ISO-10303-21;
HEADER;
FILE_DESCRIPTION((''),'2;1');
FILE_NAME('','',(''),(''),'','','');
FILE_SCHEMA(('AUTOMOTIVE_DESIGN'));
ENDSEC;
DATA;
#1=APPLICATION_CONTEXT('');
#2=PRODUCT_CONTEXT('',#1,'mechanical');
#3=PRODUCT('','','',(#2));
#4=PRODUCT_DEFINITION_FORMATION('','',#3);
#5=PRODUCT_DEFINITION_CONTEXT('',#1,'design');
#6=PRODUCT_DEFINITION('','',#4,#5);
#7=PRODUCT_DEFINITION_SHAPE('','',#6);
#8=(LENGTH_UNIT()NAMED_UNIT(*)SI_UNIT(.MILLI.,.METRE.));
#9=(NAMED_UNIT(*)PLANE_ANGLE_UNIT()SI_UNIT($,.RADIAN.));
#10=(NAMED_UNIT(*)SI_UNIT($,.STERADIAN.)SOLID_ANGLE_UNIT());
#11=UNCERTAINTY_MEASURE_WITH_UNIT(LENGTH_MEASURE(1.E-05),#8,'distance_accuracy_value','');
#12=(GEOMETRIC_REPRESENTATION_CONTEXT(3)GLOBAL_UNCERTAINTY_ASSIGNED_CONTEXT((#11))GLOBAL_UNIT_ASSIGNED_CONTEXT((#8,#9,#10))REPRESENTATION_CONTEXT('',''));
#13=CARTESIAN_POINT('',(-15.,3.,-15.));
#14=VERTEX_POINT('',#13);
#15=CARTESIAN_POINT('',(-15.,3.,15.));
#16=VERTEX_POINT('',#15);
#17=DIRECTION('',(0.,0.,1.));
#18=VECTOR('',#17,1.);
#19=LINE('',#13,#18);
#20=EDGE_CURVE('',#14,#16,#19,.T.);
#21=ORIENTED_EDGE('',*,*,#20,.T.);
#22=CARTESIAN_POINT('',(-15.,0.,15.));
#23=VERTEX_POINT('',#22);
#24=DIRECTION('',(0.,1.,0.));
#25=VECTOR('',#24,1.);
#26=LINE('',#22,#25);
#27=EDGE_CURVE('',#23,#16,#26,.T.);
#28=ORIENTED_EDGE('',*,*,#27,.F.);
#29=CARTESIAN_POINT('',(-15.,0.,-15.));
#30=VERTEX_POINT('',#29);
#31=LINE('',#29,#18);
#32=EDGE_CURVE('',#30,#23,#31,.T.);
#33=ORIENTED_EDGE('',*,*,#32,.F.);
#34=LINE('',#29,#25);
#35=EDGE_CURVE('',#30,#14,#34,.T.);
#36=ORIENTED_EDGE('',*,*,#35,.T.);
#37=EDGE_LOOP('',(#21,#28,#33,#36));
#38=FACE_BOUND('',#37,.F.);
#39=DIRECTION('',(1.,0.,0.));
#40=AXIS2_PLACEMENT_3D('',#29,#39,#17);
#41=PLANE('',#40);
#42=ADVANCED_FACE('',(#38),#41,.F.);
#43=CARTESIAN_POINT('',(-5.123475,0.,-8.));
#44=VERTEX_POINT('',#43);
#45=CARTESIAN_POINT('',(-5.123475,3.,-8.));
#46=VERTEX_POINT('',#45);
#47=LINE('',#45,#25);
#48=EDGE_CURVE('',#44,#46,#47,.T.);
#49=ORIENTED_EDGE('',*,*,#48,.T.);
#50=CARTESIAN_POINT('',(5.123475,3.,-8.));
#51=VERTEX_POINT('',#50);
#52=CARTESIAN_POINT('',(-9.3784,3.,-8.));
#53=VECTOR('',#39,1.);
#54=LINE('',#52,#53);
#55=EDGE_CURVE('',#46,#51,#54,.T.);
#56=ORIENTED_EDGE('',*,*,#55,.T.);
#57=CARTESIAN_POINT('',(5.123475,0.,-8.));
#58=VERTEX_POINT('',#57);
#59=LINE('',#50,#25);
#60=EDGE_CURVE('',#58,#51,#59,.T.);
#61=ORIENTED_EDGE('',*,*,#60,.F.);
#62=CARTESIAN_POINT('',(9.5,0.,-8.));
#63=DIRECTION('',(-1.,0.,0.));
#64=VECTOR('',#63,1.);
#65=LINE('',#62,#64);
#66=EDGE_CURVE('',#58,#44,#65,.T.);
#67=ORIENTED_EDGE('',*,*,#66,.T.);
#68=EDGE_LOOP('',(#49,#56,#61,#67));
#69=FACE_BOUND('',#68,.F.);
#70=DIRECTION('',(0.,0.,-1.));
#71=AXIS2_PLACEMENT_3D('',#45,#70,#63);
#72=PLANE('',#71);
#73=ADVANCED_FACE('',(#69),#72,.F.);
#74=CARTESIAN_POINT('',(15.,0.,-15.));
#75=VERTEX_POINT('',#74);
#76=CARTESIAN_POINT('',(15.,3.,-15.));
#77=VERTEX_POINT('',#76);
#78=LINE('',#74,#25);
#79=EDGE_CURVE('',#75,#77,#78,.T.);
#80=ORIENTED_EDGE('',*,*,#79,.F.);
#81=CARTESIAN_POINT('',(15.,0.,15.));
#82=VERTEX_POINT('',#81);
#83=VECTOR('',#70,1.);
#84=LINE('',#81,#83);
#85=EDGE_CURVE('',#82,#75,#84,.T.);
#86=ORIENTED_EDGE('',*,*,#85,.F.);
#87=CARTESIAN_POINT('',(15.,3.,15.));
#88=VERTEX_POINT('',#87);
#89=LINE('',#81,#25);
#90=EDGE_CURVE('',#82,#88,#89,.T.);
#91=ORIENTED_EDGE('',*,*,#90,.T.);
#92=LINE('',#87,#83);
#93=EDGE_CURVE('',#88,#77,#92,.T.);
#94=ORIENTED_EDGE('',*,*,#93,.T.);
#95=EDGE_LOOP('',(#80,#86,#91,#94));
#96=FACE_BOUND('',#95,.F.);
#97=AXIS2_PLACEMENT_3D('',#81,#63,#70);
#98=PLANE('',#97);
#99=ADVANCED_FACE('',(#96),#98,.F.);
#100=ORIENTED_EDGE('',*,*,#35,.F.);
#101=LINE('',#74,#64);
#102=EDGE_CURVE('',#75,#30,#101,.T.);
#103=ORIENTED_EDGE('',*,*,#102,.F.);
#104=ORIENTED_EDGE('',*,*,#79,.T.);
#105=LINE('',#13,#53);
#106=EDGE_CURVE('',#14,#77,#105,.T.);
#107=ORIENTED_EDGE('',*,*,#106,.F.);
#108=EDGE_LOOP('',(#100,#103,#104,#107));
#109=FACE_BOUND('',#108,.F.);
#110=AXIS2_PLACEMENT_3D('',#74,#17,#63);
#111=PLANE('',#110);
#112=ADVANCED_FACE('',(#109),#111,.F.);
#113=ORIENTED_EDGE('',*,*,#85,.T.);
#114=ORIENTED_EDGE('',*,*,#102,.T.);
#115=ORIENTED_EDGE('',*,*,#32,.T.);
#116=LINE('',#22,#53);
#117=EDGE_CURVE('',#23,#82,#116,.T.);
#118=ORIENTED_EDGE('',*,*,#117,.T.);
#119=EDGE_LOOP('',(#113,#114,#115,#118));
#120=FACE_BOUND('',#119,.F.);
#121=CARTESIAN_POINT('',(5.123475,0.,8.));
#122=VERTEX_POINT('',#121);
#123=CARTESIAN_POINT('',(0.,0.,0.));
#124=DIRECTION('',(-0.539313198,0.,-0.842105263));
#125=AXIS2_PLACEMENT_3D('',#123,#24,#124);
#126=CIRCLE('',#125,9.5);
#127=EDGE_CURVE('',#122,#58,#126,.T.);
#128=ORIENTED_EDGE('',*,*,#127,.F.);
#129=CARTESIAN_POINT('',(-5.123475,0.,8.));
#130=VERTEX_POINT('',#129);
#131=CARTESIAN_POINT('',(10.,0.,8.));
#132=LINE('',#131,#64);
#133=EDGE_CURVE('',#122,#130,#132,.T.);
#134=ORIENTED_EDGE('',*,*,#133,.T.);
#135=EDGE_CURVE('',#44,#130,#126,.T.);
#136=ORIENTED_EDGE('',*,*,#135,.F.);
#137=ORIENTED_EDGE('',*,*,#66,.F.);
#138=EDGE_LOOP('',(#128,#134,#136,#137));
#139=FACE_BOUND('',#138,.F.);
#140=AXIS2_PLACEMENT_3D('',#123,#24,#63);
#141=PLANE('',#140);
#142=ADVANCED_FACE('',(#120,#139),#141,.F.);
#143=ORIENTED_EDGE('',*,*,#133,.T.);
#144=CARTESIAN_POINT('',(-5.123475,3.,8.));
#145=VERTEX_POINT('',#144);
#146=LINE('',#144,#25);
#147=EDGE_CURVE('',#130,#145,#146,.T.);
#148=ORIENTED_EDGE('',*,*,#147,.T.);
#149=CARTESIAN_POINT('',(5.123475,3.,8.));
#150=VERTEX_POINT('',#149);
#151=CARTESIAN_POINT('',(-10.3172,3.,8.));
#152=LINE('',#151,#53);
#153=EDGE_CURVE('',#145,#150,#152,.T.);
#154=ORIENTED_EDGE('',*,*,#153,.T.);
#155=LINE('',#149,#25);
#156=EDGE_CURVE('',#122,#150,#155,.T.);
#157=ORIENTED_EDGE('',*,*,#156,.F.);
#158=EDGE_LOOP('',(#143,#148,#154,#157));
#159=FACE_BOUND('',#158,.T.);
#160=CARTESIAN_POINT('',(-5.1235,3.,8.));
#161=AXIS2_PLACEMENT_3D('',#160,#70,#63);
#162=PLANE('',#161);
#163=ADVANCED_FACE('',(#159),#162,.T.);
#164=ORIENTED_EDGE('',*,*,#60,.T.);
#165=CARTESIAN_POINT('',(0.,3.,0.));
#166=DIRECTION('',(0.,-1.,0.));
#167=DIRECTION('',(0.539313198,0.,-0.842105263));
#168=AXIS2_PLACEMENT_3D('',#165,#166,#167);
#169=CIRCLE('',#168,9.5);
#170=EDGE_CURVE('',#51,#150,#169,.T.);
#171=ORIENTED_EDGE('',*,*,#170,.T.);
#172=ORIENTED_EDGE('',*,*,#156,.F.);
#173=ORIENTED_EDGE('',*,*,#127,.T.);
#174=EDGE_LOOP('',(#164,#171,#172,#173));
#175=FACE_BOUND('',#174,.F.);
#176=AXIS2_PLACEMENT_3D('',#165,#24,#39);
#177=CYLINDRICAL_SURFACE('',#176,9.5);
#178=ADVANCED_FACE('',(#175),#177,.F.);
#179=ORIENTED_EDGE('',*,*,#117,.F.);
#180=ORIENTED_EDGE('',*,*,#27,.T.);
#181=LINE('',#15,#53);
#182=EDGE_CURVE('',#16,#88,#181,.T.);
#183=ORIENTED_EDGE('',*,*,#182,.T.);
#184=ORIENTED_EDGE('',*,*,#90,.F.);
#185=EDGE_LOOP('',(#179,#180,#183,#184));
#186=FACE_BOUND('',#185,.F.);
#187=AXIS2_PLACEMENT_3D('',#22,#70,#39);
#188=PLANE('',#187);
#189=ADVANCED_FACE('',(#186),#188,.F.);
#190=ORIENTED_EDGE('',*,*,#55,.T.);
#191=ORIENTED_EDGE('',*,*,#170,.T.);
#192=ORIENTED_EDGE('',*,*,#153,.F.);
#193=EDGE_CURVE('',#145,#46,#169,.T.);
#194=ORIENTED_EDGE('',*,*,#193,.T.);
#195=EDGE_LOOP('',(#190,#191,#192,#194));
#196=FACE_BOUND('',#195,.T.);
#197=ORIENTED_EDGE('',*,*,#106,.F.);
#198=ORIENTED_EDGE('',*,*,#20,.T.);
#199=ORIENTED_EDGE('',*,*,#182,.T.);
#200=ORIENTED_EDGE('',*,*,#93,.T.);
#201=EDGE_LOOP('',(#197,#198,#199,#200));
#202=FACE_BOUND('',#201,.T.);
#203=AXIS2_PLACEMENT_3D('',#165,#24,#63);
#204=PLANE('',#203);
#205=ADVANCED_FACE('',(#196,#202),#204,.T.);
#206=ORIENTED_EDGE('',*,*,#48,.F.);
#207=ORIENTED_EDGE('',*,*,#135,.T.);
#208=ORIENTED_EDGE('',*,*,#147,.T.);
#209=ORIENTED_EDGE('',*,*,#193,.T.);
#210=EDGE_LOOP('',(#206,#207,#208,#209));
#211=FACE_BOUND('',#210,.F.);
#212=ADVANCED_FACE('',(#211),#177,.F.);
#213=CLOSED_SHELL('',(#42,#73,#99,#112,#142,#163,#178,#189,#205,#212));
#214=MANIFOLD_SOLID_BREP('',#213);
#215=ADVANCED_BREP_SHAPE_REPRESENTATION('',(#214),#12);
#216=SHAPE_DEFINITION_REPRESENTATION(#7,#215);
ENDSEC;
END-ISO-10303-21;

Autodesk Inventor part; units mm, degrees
ref_plane "YZ Plane" through (0, 0, 0) normal (1, 0, 0) x (0, 1, 0)
ref_plane "XZ Plane" through (0, 0, 0) normal (0, 1, 0) x (-1, 0, 0)
ref_plane "XY Plane" through (0, 0, 0) normal (0, 0, 1) x (1, 0, 0)
sketch "Sketch1" plane through (0, 0, 0) normal (0, 1, 0) x (-1, 0, 0)
  line L0 (-15, -15) -> (15, -15)
  line L1 (15, -15) -> (15, 15)
  line L2 (15, 15) -> (-15, 15)
  line L3 (-15, 15) -> (-15, -15)
  line L4 (-15, -15) -> (15, 15) construction
  line L5 (15, -15) -> (-15, 15) construction
  point P0 (0, 0)
  dimension "d7" = 30
  dimension "d8" = 30
extrude "Base plate" add sketch "Sketch1" along normal blind 3
sketch "Sketch5" plane through (0, 3, 0) normal (0, 1, 0) x (1, 0, 0)
  circle A0 centre (0, 0) radius 9.5
  line L0 (-15, 15) -> (-15, -15) projected
  line L1 (-15, -15) -> (15, -15) projected
  line L2 (15, 15) -> (-15, 15) projected
  point P0 (0, 0)
  point P1 (8.0777, -15)
  point P2 (-8.0777, -15)
  dimension "d19" = 19
  dimension "d20" = 15
  dimension "d21" = 15
extrude "Sleutel 19" cut sketch "Sketch5" against normal through all
sketch "Sketch9" plane through (0, 3, 0) normal (0, 1, 0) x (1, 0, 0)
  line L0 (-9.3784, 15) -> (9.5, 15)
  line L1 (9.5, 15) -> (9.5, 8)
  line L2 (9.5, 8) -> (-9.3784, 8)
  line L3 (-9.3784, 8) -> (-9.3784, 15)
  circle A0 centre (0, 0) radius 9.5 projected
  line L4 (15, 15) -> (-15, 15) projected
  point P0 (0, 0)
  point P1 (-5.1235, 8)
  point P2 (5.1235, 8)
  point P3 (-8.0777, 15)
  point P4 (8.0777, 15)
  dimension "d33" = 8
  dimension "d34" = 0
extrude "Extrusion7" add sketch "Sketch9" against normal up to surface (3 mm away) contours L0 L1 L2 A0 L3 | A0 L2 picked at (-1.0613, 8.3168)
sketch "Sketch10" plane through (0, 3, 0) normal (0, 1, 0) x (1, 0, 0)
  line L0 (-10.3172, -11) -> (10, -11)
  line L1 (10, -11) -> (10, -8)
  line L2 (10, -8) -> (-10.3172, -8)
  line L3 (-10.3172, -8) -> (-10.3172, -11)
  arc A0 (-5.1235, 8) -> (5.1235, 8) centre (0, 0) ccw projected
  point P0 (0, 0)
  point P1 (5.1235, -8)
  point P2 (-5.1235, -8)
  point P3 (-8.0777, 15)
  point P4 (8.0777, 15)
  dimension "d37" = 8
extrude "Extrusion8" add sketch "Sketch10" against normal up to surface (3 mm away)
properties part number "Holes_Test2"
